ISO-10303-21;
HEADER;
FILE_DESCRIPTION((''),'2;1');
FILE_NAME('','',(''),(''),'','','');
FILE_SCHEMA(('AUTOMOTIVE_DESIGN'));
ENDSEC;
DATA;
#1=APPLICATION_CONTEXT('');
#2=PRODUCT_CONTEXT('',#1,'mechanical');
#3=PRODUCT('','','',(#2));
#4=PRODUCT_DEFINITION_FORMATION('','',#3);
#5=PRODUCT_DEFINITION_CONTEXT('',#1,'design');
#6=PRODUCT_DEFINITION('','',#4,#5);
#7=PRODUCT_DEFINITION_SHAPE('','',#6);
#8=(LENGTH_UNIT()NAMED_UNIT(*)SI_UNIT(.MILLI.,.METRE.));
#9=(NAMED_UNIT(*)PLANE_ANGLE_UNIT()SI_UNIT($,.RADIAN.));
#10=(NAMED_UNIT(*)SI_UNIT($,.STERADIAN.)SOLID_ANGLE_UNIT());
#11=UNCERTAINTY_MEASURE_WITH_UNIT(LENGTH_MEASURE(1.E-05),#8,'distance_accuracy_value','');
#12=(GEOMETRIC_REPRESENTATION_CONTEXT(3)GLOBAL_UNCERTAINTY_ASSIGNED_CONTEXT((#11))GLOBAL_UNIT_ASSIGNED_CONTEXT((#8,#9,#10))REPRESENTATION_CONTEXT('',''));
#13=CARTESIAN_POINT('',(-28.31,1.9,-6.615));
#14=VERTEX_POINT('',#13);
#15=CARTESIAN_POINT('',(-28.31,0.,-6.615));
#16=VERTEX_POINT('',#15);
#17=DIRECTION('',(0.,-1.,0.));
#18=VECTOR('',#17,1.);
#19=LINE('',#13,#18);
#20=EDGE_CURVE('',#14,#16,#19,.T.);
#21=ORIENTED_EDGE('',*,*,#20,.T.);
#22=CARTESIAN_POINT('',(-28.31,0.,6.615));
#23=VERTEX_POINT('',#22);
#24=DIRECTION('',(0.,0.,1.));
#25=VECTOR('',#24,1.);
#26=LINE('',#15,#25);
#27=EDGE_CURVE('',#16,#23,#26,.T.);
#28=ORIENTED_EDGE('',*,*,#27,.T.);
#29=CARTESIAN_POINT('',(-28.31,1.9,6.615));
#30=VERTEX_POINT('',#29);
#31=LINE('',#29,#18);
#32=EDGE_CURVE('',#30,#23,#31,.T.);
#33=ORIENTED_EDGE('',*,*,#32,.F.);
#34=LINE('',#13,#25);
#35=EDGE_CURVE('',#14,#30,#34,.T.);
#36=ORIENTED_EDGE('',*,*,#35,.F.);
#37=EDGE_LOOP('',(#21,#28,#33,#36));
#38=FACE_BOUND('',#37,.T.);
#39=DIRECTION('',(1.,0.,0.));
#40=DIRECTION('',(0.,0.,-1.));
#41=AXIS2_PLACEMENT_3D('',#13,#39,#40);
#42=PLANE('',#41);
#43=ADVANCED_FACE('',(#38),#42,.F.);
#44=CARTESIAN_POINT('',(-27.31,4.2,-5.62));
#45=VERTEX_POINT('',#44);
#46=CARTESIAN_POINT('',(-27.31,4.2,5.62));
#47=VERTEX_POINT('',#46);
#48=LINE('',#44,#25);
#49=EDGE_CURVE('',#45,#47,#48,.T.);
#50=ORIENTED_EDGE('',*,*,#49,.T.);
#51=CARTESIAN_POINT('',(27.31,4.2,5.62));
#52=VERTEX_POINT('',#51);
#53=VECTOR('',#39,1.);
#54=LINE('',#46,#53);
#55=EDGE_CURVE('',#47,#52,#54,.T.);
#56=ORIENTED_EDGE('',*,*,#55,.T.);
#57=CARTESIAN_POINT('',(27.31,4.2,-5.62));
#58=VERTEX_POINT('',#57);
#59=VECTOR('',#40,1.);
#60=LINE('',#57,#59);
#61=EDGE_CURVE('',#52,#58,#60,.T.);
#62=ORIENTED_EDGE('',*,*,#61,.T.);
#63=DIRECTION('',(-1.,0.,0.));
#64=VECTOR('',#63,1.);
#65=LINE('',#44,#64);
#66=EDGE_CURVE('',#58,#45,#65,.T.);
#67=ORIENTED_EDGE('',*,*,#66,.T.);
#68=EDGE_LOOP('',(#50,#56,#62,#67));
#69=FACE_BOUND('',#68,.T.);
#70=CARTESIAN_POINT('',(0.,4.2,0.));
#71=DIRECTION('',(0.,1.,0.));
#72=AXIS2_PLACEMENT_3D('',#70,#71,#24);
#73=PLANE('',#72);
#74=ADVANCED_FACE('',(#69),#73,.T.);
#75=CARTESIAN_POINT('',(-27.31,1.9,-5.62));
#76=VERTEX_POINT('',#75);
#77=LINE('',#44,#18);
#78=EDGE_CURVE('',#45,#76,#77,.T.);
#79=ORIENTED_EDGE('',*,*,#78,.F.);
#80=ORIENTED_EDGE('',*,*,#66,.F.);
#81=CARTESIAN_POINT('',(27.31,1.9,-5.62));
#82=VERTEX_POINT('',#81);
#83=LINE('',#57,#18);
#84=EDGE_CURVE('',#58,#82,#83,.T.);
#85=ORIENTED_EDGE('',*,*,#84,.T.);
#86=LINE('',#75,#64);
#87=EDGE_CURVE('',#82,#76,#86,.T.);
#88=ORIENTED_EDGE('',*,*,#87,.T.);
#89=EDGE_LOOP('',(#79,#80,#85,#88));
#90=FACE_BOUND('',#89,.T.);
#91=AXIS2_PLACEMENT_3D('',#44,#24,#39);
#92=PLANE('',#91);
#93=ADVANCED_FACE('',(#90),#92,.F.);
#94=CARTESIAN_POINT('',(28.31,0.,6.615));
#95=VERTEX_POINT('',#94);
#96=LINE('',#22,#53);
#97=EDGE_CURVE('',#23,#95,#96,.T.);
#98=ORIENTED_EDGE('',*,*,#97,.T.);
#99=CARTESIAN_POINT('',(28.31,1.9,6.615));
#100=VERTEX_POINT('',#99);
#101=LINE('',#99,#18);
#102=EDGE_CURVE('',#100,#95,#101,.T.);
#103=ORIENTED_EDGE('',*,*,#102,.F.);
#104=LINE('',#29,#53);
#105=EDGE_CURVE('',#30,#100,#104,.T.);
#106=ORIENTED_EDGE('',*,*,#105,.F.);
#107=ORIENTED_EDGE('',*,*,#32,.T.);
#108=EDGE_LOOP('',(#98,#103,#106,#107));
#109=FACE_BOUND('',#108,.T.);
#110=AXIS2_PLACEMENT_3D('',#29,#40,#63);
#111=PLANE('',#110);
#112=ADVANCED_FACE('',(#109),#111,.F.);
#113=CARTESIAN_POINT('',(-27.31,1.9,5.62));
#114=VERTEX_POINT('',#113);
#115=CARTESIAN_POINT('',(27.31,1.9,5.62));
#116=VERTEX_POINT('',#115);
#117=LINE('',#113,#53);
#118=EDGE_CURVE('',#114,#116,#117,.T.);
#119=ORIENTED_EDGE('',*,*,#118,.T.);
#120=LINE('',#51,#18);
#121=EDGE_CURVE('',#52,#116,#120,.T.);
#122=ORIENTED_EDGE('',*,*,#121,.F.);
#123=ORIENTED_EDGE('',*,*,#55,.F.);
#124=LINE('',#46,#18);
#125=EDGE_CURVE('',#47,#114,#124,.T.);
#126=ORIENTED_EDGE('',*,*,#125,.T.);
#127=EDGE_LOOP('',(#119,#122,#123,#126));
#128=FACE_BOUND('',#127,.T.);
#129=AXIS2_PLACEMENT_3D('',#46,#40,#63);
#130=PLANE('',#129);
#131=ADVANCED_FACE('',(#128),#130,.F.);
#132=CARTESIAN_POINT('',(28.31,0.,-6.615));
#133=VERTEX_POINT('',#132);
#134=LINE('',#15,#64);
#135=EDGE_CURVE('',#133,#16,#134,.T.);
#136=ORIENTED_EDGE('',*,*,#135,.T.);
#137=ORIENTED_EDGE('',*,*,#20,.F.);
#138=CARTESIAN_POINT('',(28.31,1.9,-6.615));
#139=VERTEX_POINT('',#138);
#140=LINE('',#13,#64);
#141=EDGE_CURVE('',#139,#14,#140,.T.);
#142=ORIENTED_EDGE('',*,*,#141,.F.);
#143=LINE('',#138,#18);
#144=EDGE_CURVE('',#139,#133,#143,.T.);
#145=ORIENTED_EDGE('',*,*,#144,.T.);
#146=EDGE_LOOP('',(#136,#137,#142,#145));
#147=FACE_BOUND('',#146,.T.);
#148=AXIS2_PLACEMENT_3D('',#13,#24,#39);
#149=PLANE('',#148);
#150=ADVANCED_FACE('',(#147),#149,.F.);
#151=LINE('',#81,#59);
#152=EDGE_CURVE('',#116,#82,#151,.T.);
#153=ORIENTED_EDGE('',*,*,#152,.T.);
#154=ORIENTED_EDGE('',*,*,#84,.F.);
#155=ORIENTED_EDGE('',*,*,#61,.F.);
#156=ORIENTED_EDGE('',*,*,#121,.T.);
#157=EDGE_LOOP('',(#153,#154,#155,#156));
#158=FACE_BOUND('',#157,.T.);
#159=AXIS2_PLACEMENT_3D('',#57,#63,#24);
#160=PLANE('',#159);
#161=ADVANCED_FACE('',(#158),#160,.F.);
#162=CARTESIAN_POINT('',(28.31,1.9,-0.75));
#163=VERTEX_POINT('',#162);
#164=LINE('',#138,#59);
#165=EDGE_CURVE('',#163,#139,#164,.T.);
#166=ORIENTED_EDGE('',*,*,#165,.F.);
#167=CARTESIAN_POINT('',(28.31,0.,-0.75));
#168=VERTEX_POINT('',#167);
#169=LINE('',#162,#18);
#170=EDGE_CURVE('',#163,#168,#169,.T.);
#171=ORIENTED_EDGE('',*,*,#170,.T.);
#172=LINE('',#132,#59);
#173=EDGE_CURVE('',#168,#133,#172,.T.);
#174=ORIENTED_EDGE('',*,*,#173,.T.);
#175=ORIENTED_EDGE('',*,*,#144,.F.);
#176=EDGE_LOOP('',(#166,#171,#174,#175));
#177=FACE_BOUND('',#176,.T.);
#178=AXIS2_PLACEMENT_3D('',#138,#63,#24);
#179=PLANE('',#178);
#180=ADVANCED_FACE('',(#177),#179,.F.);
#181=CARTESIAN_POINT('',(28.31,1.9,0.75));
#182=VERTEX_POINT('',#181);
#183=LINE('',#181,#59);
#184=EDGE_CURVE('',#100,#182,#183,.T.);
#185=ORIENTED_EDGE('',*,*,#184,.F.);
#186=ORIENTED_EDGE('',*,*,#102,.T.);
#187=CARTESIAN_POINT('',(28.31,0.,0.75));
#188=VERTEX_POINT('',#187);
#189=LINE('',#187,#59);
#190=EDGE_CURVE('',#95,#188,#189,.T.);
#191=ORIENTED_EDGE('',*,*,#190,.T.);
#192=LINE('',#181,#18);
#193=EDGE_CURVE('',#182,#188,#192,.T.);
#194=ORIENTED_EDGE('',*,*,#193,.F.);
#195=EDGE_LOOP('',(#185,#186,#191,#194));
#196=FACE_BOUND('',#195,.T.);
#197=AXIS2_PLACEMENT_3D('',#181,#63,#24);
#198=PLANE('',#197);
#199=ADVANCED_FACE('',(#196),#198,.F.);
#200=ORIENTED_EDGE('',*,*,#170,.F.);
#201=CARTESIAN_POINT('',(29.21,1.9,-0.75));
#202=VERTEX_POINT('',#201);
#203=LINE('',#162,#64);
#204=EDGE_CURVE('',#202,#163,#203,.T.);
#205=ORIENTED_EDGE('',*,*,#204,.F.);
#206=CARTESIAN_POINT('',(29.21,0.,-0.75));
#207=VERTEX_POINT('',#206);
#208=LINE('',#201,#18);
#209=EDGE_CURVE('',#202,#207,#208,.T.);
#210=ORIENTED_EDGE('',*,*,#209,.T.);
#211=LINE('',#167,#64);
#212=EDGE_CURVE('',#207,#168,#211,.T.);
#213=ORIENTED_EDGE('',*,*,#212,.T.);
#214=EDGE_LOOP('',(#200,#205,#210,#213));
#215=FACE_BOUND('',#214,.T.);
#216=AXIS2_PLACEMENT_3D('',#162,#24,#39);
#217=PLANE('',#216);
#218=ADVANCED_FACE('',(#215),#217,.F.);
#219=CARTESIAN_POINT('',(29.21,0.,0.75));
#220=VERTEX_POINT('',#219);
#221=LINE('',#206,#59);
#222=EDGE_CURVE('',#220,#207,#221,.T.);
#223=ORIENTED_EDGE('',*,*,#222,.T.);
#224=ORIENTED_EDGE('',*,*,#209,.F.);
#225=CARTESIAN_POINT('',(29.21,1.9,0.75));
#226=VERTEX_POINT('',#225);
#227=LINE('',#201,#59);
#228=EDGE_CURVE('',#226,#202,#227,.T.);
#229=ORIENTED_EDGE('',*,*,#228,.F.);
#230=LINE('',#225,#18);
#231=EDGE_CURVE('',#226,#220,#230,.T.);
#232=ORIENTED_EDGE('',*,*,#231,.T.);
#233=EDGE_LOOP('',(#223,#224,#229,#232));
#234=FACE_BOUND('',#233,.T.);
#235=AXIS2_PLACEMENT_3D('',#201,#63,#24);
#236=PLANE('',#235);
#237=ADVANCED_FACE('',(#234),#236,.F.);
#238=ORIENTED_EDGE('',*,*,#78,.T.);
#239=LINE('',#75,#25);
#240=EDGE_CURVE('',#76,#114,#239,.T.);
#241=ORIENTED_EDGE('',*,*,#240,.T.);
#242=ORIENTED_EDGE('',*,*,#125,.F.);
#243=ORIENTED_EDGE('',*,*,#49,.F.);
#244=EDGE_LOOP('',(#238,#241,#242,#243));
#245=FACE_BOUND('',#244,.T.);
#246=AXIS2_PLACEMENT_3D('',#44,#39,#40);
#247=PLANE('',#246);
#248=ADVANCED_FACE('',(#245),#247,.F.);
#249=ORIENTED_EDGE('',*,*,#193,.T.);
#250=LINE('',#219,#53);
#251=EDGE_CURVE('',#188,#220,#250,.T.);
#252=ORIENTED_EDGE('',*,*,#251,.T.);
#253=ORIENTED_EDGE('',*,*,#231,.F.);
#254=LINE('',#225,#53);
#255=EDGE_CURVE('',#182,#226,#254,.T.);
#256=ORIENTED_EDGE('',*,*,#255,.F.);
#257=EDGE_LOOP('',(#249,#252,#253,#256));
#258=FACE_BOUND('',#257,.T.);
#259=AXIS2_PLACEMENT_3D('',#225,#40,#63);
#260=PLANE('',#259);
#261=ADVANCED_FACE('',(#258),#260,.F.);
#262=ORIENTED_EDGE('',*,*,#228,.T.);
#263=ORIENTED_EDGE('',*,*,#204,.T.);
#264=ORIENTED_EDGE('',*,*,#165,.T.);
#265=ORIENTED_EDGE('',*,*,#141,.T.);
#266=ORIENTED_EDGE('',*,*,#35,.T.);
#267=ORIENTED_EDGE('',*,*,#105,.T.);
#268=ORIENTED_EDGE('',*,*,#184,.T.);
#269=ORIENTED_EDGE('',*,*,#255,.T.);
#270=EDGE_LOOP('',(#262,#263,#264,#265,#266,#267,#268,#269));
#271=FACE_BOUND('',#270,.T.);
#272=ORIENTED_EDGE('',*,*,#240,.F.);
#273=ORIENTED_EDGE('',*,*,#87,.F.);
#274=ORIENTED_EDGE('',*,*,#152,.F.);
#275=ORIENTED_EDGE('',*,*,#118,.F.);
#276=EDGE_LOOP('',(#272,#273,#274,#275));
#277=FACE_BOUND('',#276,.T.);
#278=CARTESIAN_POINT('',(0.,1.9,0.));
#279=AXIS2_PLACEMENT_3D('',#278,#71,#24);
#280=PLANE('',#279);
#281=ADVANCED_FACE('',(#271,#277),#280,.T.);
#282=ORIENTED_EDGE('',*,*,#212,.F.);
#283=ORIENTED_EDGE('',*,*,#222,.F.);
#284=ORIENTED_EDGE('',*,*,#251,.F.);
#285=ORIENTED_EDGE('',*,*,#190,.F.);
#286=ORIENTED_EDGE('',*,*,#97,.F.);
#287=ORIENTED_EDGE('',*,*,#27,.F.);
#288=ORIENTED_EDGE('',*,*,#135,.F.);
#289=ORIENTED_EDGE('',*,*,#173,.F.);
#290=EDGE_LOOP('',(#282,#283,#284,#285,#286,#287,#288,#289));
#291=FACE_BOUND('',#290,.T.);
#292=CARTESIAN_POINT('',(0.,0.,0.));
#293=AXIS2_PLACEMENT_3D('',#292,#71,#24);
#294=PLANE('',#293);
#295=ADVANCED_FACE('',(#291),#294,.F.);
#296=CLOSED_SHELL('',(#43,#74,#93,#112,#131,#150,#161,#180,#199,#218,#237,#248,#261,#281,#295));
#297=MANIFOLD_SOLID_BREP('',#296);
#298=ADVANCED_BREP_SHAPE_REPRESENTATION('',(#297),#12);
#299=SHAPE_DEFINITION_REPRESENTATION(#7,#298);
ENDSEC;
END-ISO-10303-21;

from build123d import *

# Parameters (mm, degrees)
BOSS_EXTRUDE1_DEPTH = 1.9
SKETCH2_W           = 54.62
SKETCH2_H           = 11.24
BOSS_EXTRUDE2_DEPTH = 2.3


with BuildPart() as part:
    # Sketch1 → Boss-Extrude1 (new body)
    with BuildSketch(Plane(origin=(0, 0, 0), x_dir=(1, 0, 0), z_dir=(0, 1, 0))):
        Polygon((28.31, 6.615), (28.31, 0.75), (29.21, 0.75), (29.21, -0.75), (28.31, -0.75), (28.31, -6.615), (-28.31, -6.615), (-28.31, 6.615), align=None)
    extrude(amount=BOSS_EXTRUDE1_DEPTH)

    # Sketch2 → Boss-Extrude2 (add)
    with BuildSketch(Plane(origin=(0, 1.9, 0), x_dir=(1, 0, 0), z_dir=(0, 1, 0))):
        Rectangle(SKETCH2_W, SKETCH2_H)
    extrude(amount=BOSS_EXTRUDE2_DEPTH)


solid = part.part
